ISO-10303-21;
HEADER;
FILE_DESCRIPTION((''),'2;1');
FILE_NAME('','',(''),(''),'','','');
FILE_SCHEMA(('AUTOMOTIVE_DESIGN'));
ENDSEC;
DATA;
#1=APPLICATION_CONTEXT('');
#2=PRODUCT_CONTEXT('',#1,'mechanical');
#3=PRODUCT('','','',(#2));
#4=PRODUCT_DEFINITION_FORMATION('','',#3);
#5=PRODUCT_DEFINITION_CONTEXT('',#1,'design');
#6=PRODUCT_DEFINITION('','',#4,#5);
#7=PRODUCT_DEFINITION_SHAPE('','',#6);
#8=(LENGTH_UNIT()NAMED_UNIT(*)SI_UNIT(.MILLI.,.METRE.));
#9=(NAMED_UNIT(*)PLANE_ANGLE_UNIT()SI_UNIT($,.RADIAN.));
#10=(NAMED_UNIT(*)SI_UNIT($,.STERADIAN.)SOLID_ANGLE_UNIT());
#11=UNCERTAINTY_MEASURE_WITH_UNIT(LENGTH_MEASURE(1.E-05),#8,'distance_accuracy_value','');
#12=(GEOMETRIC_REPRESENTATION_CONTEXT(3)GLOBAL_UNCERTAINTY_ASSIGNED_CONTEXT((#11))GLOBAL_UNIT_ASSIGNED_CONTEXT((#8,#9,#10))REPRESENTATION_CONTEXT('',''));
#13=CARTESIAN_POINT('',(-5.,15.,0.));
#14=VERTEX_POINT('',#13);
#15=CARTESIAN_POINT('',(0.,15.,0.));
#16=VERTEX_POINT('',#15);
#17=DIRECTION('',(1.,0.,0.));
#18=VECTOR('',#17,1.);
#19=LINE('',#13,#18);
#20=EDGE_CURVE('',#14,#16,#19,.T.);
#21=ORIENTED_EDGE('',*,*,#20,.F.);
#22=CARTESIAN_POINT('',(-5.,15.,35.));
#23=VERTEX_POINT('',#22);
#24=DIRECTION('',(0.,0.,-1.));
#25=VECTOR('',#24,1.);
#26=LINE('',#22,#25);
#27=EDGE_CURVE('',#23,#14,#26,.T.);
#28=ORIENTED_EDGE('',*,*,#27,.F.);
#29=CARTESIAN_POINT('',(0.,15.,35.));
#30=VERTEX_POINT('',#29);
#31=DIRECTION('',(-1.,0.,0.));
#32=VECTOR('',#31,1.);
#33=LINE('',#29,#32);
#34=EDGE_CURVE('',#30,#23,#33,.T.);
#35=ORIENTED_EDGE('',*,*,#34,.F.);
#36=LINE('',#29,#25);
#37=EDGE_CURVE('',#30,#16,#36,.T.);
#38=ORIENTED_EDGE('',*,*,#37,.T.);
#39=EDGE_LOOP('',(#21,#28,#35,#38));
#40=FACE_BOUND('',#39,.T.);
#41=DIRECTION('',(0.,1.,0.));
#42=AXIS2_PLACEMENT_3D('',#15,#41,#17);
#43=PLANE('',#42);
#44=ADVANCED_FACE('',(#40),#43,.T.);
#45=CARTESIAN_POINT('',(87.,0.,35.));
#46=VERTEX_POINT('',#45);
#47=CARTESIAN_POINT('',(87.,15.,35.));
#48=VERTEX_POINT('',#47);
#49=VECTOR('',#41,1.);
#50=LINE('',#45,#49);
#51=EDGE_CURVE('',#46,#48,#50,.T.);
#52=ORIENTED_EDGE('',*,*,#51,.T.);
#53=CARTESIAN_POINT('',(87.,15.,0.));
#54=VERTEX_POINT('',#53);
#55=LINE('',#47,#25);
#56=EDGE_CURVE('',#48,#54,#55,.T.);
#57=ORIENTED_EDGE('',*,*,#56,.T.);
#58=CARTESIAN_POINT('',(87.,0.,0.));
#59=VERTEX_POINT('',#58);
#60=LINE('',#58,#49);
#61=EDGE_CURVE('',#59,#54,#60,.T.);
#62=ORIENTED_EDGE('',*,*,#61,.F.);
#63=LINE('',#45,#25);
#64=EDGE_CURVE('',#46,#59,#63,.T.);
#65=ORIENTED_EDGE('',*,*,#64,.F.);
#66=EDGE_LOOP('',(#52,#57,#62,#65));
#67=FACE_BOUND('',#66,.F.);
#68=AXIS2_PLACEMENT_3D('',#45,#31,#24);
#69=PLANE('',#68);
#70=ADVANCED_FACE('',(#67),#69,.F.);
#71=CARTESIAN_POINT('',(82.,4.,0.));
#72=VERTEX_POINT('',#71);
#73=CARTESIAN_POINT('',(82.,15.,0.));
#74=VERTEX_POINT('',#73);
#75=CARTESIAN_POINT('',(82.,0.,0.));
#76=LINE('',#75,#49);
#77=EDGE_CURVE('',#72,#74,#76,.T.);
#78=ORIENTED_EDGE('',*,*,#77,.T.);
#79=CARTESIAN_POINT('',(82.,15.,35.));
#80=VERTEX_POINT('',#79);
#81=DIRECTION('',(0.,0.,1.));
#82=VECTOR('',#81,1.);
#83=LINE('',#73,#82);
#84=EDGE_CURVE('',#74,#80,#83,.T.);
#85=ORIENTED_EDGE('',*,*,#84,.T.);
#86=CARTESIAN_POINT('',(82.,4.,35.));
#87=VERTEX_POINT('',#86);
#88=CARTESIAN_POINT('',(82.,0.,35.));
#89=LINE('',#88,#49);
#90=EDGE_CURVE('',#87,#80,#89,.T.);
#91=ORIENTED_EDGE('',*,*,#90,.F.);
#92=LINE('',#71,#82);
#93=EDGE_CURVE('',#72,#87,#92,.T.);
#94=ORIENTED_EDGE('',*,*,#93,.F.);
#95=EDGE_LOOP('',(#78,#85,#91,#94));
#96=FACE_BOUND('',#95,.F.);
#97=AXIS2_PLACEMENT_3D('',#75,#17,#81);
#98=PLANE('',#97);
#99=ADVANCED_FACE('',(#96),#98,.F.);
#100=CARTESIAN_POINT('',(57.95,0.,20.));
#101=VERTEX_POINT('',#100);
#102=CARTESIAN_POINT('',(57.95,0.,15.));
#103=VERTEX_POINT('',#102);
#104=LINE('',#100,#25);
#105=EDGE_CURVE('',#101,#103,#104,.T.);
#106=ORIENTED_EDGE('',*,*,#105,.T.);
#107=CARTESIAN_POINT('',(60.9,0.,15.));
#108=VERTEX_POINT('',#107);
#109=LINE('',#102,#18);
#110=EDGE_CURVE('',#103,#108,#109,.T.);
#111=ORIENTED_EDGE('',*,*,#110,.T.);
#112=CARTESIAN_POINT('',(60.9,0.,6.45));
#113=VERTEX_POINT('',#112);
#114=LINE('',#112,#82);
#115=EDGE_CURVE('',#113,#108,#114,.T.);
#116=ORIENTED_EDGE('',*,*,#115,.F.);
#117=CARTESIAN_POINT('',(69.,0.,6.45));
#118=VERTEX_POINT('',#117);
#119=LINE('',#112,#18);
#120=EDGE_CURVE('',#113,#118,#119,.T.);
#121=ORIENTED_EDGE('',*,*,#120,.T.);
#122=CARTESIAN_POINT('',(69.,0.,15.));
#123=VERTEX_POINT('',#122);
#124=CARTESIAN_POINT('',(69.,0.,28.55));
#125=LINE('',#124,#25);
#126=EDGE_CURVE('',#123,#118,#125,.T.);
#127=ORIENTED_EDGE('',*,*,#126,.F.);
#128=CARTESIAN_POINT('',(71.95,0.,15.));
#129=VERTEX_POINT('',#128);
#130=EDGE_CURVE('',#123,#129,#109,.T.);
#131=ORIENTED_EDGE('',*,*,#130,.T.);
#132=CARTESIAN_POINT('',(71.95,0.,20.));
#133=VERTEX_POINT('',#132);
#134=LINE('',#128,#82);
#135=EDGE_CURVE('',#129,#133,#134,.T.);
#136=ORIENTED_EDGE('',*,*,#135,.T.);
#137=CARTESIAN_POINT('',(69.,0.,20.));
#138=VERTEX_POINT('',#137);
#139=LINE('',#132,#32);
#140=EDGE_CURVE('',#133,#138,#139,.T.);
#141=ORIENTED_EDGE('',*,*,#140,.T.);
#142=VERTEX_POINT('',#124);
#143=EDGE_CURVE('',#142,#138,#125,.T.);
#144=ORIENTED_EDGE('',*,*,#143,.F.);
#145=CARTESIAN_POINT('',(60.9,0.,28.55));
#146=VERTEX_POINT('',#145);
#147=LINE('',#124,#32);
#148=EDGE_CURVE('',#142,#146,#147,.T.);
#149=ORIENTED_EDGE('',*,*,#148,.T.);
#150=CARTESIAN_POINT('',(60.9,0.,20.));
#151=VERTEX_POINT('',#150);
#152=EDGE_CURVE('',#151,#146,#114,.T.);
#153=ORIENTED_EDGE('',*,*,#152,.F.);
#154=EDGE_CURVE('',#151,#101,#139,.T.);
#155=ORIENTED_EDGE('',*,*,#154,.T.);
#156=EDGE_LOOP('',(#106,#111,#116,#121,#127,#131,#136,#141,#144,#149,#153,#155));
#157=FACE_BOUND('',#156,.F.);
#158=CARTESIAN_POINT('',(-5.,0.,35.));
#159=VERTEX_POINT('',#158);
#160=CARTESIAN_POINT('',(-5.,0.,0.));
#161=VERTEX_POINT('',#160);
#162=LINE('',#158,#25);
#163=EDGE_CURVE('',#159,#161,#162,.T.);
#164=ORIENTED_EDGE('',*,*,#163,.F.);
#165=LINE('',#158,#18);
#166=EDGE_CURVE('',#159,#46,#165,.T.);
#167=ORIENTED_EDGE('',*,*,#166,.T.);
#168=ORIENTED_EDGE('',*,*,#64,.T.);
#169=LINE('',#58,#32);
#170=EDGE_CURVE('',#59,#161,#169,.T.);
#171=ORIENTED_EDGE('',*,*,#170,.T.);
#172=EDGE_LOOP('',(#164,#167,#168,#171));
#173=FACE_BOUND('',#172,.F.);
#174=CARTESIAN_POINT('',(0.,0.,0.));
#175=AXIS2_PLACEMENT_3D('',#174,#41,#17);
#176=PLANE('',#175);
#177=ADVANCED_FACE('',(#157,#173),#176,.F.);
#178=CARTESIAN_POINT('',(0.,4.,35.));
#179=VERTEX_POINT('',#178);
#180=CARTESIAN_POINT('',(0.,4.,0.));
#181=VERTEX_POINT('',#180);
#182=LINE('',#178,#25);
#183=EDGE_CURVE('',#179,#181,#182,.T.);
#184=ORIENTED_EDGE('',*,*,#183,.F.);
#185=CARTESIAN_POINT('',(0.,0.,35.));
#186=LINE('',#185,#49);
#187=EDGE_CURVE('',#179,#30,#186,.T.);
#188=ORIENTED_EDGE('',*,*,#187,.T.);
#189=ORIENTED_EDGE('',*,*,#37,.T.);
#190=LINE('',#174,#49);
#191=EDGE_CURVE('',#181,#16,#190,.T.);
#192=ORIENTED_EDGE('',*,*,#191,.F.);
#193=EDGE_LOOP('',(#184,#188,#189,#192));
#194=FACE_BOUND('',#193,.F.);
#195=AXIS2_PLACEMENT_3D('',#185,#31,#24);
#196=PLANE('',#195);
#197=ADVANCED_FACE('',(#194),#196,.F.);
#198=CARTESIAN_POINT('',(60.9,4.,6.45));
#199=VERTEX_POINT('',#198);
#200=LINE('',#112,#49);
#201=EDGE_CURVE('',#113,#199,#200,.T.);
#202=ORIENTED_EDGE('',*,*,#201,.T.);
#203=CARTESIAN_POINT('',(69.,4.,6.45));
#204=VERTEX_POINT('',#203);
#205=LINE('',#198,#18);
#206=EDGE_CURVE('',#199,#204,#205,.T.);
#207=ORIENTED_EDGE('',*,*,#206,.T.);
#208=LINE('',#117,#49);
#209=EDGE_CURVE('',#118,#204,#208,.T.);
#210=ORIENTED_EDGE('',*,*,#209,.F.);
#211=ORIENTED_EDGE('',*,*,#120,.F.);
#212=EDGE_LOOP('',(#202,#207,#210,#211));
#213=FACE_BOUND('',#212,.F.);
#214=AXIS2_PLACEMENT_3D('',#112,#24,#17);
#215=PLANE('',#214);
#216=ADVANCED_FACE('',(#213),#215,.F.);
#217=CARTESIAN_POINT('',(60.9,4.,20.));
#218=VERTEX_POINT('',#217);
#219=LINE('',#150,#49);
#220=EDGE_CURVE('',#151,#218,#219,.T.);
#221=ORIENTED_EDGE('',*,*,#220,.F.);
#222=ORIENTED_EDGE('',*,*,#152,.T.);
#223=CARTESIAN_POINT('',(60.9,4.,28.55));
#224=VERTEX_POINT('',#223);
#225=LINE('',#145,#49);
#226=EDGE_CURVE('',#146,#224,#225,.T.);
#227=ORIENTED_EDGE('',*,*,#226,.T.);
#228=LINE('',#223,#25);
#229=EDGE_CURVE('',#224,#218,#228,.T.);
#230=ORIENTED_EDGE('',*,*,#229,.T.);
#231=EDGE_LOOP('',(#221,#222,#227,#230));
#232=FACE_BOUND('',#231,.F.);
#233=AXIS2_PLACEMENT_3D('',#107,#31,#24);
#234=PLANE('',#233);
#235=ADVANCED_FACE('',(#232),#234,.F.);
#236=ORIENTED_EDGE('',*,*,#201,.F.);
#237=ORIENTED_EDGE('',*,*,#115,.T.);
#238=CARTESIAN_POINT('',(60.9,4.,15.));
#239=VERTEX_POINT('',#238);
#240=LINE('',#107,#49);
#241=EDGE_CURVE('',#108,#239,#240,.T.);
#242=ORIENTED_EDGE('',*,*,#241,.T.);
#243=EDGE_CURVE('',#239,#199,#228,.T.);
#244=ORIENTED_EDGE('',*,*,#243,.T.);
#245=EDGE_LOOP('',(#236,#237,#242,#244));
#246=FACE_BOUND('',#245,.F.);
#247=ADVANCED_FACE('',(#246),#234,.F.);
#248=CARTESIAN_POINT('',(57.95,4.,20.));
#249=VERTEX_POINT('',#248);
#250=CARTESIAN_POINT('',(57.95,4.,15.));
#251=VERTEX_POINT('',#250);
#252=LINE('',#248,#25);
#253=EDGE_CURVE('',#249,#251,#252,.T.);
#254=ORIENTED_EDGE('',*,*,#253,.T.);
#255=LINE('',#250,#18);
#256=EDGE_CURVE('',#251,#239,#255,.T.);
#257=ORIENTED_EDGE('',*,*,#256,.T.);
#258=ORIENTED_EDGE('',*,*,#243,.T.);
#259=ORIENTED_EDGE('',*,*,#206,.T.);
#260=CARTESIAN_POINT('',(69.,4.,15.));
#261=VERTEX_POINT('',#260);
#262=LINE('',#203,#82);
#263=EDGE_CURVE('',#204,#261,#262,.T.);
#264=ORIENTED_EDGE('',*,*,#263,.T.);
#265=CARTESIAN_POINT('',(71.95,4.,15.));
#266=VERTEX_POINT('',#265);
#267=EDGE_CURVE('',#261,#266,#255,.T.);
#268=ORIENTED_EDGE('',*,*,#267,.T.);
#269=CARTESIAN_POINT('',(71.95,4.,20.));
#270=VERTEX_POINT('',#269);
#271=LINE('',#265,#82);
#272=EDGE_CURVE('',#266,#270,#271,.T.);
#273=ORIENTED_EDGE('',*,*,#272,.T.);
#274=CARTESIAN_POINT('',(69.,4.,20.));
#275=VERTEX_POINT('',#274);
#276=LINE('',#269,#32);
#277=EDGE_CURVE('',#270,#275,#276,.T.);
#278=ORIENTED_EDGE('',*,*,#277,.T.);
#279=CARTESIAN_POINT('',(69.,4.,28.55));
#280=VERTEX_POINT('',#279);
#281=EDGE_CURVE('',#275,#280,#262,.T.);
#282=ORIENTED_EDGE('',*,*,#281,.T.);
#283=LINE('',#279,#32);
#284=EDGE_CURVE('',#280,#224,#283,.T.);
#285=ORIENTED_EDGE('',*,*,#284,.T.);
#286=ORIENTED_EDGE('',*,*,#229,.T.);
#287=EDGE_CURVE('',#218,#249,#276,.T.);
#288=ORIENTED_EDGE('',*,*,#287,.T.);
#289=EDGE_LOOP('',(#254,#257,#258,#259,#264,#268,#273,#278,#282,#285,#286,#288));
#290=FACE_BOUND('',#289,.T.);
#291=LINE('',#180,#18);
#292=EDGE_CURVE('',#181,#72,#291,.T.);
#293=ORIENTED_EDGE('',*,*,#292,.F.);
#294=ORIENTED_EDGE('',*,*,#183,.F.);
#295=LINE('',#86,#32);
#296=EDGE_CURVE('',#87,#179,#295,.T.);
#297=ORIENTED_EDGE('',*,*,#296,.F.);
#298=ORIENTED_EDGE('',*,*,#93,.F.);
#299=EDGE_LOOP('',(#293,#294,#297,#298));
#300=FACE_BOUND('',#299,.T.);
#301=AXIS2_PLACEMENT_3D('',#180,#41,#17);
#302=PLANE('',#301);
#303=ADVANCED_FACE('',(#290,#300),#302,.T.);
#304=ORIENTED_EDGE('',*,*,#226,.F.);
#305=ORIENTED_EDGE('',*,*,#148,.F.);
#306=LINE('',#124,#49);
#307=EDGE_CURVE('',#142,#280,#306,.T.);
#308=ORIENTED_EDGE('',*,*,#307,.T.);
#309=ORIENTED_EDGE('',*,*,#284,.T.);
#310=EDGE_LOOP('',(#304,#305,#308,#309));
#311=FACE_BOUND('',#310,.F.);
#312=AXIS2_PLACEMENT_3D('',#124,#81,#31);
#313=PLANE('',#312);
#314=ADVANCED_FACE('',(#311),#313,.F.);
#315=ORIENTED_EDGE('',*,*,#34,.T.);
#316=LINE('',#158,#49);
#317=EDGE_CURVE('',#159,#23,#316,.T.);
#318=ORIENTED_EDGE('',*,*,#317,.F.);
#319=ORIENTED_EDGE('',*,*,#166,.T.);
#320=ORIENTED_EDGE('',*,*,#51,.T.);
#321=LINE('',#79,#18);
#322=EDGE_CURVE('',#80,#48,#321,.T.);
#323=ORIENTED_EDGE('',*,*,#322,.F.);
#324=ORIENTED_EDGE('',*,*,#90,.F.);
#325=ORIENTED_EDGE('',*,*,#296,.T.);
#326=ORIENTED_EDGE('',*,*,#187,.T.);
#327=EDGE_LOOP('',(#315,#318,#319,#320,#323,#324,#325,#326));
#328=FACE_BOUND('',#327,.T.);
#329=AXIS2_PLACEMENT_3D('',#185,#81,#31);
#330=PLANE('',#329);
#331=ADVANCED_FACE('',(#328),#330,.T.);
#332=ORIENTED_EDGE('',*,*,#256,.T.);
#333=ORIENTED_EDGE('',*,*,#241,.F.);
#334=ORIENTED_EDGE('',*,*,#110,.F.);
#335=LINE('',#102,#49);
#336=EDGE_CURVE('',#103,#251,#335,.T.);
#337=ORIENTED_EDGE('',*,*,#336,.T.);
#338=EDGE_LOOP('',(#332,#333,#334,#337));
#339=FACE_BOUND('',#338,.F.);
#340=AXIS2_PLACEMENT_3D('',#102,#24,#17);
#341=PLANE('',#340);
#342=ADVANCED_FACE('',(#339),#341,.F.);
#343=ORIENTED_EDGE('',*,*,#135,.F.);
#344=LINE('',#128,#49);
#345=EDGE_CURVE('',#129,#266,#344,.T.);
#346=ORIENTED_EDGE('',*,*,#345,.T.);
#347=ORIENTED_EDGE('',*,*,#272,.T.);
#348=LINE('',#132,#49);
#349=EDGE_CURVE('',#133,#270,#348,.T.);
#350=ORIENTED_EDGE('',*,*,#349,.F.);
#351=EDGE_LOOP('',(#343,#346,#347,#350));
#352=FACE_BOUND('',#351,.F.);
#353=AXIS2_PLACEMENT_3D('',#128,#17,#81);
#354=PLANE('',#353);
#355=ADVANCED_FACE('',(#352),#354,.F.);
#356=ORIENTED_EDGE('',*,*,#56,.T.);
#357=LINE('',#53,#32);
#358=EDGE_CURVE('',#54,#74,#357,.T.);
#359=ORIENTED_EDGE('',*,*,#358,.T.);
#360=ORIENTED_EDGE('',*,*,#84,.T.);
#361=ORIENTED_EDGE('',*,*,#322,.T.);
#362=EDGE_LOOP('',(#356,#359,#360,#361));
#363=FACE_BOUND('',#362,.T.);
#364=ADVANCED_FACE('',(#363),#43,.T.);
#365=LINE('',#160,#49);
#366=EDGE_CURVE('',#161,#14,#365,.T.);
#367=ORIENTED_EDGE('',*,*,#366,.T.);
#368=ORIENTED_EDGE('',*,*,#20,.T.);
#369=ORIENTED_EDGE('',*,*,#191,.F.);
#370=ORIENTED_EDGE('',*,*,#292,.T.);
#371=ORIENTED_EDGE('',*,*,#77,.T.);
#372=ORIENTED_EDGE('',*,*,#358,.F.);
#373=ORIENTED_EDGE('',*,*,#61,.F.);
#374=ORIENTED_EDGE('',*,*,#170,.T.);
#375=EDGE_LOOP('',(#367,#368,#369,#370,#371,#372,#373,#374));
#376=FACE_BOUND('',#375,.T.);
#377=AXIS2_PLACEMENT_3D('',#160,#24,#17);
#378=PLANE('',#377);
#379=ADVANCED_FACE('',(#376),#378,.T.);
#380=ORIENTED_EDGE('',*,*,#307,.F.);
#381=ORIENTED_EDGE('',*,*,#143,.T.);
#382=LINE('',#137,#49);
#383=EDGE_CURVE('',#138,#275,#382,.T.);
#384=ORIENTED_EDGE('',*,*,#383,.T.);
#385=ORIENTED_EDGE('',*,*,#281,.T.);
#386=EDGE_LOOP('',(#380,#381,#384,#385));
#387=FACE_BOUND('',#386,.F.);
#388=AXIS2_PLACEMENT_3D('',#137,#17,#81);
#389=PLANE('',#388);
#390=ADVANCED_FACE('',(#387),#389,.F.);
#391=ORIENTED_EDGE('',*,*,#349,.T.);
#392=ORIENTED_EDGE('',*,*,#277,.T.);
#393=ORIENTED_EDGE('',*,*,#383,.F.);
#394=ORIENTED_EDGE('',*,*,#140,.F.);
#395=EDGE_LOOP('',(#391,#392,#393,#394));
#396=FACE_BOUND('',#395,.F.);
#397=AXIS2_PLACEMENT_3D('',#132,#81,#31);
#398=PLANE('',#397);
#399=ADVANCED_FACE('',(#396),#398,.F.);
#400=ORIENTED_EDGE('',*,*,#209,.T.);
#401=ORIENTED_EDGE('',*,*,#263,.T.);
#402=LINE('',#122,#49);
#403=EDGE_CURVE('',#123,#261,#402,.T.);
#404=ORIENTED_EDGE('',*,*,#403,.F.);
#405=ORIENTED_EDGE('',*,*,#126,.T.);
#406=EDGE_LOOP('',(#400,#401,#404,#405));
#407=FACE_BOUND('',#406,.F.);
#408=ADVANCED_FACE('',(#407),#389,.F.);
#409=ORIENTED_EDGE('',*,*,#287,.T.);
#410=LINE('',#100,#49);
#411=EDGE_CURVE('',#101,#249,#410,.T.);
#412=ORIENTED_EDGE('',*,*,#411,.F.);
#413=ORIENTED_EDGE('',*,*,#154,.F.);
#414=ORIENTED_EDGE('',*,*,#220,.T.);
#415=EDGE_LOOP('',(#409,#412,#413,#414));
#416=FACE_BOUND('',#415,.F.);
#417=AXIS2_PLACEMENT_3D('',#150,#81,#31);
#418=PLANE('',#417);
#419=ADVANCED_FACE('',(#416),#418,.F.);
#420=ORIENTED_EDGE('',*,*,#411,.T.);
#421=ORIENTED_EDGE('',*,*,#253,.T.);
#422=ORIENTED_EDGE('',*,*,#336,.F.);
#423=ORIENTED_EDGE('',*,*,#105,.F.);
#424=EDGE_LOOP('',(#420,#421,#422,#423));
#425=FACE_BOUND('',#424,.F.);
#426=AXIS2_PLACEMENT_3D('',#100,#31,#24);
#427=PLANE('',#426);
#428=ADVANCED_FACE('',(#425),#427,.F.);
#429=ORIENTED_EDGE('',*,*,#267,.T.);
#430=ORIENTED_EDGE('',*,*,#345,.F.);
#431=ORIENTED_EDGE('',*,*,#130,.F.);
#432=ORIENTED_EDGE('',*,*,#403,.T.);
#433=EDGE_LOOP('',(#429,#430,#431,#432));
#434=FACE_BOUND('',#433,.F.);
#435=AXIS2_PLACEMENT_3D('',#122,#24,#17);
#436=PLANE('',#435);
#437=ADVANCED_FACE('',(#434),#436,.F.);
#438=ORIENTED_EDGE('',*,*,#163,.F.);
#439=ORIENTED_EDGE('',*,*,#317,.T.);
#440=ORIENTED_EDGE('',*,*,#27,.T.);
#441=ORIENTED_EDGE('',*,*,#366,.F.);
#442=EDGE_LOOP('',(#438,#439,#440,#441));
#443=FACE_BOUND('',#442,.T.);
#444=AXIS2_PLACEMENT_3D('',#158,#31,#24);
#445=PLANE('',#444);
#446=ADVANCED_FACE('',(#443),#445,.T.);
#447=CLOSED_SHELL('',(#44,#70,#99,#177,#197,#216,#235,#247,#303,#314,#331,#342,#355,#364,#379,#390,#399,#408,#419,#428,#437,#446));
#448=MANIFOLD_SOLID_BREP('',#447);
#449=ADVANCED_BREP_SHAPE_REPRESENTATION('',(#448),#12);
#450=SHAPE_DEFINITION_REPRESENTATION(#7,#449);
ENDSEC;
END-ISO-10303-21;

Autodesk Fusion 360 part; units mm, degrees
sketch "Sketch1" plane through (0, 0, 0) normal (0, 1, 0) x (1, 0, 0)
  line L0 (0, 0) -> (82, 0)
  line L1 (82, 0) -> (82, -35)
  line L2 (82, -35) -> (0, -35)
  line L3 (0, -35) -> (0, 0)
  line L4 (82, -17.5) -> (69, -17.5) construction
  line L5 (69, -17.5) -> (64.95, -17.5) construction
  line L6 (60.9, -6.45) -> (69, -6.45)
  line L7 (69, -6.45) -> (69, -28.55)
  line L8 (69, -28.55) -> (60.9, -28.55)
  line L9 (60.9, -28.55) -> (60.9, -6.45)
  line L10 (60.9, -6.45) -> (69, -28.55) construction
  line L11 (69, -6.45) -> (60.9, -28.55) construction
  line L12 (82, -35) -> (87, -35)
  line L13 (87, -35) -> (87, 0)
  line L14 (87, 0) -> (82, 0)
  line L15 (82, 0) -> (82, -35)
  line L16 (0, -35) -> (-5, -35)
  line L17 (-5, -35) -> (-5, 0)
  line L18 (-5, 0) -> (0, 0)
  line L19 (0, 0) -> (0, -35)
  line L20 (71.95, -20) -> (57.95, -20)
  line L21 (57.95, -20) -> (57.95, -15)
  line L22 (57.95, -15) -> (71.95, -15)
  line L23 (71.95, -15) -> (71.95, -20)
  line L24 (71.95, -20) -> (57.95, -15) construction
  line L25 (57.95, -20) -> (71.95, -15) construction
  point P0 (64.95, -17.5)
  point P1 (64.95, -17.5)
  dimension "d1" = 82
  dimension "d2" = 35
  dimension "d3" = 13
  dimension "d4" = 4.05
  dimension "d5" = 8.1
  dimension "d6" = 22.1
  dimension "d7" = 5
  dimension "d8" = 35
  dimension "d9" = 5
  dimension "d10" = 35
  dimension "d15" = 14
  dimension "d16" = 5
extrude "Extrude1" add sketch "Sketch1" along normal blind 15 contours L3 L16 L17 L18 L19 | L1 L12 L13 L14 L15 makes body 1 at (0, 5, 23.3333) makes body 2 at (87, 5, 23.3333)
extrude "Extrude2" add sketch "Sketch1" along normal blind 4 contours L0 L1 L2 L3 L15 L19 | L9 L20 L21 L22 | L7 L20 L22 L23 bodies 1 2
extrude "Extrude3" cut sketch "Sketch1" along normal blind 4 contours L9 L20 L21 L22 | L7 L20 L22 L23 bodies 1
equation "d4 = ( 8.1 / 2 ) * 1 mm"
